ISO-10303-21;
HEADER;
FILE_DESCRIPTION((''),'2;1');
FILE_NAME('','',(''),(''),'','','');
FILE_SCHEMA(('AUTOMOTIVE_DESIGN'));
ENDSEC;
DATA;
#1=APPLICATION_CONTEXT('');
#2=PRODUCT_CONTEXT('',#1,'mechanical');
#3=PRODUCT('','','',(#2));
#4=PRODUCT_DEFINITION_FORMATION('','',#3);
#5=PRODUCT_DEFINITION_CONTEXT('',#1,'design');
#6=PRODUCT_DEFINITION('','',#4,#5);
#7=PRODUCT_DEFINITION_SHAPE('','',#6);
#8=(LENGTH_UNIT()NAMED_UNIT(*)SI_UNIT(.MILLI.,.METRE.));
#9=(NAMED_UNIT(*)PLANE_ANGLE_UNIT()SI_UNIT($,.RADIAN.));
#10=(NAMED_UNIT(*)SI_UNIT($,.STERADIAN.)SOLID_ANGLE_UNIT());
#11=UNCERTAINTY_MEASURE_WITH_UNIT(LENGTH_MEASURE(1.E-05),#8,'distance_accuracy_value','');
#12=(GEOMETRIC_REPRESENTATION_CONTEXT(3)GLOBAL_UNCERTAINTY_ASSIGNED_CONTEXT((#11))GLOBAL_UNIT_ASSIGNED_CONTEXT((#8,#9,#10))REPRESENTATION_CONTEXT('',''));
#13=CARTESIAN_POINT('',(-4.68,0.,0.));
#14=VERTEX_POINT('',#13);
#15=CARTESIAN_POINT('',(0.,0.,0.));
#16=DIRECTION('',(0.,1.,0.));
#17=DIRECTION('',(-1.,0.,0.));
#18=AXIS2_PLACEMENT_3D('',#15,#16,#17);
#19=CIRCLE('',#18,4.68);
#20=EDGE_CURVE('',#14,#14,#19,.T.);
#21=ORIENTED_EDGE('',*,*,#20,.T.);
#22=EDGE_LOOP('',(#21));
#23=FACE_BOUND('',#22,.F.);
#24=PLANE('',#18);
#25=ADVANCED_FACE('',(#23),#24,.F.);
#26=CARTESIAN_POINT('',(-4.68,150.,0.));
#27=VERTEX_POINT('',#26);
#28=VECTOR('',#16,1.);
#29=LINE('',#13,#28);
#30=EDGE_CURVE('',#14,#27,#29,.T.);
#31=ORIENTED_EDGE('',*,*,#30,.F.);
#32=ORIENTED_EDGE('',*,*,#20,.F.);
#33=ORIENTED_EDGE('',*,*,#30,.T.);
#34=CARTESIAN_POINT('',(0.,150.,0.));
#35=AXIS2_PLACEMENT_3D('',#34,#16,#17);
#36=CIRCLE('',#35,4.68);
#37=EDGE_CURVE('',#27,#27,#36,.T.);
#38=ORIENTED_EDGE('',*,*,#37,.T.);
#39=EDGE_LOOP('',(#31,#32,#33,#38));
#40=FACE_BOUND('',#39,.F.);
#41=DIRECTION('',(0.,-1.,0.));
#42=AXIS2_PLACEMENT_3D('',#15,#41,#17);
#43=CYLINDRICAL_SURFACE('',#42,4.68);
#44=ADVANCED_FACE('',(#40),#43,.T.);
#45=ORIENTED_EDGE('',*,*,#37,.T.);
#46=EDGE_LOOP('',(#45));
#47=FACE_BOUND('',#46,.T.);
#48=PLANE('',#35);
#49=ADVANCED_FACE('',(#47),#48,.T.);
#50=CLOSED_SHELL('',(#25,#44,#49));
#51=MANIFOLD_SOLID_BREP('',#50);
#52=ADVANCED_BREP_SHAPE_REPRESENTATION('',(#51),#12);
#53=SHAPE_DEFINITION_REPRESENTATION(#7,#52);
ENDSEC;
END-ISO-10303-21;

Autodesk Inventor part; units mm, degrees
ref_plane "YZ Plane" through (0, 0, 0) normal (1, 0, 0) x (0, 1, 0)
ref_plane "XZ Plane" through (0, 0, 0) normal (0, 1, 0) x (-1, 0, 0)
ref_plane "XY Plane" through (0, 0, 0) normal (0, 0, 1) x (1, 0, 0)
sketch "Sketch1" plane through (0, 0, 0) normal (0, 1, 0) x (-1, 0, 0)
  circle A0 centre (0, 0) radius 4.68
  dimension "d0" = 9.36
extrude "Extrusion1" add sketch "Sketch1" along normal blind 150
properties part number "rod"
